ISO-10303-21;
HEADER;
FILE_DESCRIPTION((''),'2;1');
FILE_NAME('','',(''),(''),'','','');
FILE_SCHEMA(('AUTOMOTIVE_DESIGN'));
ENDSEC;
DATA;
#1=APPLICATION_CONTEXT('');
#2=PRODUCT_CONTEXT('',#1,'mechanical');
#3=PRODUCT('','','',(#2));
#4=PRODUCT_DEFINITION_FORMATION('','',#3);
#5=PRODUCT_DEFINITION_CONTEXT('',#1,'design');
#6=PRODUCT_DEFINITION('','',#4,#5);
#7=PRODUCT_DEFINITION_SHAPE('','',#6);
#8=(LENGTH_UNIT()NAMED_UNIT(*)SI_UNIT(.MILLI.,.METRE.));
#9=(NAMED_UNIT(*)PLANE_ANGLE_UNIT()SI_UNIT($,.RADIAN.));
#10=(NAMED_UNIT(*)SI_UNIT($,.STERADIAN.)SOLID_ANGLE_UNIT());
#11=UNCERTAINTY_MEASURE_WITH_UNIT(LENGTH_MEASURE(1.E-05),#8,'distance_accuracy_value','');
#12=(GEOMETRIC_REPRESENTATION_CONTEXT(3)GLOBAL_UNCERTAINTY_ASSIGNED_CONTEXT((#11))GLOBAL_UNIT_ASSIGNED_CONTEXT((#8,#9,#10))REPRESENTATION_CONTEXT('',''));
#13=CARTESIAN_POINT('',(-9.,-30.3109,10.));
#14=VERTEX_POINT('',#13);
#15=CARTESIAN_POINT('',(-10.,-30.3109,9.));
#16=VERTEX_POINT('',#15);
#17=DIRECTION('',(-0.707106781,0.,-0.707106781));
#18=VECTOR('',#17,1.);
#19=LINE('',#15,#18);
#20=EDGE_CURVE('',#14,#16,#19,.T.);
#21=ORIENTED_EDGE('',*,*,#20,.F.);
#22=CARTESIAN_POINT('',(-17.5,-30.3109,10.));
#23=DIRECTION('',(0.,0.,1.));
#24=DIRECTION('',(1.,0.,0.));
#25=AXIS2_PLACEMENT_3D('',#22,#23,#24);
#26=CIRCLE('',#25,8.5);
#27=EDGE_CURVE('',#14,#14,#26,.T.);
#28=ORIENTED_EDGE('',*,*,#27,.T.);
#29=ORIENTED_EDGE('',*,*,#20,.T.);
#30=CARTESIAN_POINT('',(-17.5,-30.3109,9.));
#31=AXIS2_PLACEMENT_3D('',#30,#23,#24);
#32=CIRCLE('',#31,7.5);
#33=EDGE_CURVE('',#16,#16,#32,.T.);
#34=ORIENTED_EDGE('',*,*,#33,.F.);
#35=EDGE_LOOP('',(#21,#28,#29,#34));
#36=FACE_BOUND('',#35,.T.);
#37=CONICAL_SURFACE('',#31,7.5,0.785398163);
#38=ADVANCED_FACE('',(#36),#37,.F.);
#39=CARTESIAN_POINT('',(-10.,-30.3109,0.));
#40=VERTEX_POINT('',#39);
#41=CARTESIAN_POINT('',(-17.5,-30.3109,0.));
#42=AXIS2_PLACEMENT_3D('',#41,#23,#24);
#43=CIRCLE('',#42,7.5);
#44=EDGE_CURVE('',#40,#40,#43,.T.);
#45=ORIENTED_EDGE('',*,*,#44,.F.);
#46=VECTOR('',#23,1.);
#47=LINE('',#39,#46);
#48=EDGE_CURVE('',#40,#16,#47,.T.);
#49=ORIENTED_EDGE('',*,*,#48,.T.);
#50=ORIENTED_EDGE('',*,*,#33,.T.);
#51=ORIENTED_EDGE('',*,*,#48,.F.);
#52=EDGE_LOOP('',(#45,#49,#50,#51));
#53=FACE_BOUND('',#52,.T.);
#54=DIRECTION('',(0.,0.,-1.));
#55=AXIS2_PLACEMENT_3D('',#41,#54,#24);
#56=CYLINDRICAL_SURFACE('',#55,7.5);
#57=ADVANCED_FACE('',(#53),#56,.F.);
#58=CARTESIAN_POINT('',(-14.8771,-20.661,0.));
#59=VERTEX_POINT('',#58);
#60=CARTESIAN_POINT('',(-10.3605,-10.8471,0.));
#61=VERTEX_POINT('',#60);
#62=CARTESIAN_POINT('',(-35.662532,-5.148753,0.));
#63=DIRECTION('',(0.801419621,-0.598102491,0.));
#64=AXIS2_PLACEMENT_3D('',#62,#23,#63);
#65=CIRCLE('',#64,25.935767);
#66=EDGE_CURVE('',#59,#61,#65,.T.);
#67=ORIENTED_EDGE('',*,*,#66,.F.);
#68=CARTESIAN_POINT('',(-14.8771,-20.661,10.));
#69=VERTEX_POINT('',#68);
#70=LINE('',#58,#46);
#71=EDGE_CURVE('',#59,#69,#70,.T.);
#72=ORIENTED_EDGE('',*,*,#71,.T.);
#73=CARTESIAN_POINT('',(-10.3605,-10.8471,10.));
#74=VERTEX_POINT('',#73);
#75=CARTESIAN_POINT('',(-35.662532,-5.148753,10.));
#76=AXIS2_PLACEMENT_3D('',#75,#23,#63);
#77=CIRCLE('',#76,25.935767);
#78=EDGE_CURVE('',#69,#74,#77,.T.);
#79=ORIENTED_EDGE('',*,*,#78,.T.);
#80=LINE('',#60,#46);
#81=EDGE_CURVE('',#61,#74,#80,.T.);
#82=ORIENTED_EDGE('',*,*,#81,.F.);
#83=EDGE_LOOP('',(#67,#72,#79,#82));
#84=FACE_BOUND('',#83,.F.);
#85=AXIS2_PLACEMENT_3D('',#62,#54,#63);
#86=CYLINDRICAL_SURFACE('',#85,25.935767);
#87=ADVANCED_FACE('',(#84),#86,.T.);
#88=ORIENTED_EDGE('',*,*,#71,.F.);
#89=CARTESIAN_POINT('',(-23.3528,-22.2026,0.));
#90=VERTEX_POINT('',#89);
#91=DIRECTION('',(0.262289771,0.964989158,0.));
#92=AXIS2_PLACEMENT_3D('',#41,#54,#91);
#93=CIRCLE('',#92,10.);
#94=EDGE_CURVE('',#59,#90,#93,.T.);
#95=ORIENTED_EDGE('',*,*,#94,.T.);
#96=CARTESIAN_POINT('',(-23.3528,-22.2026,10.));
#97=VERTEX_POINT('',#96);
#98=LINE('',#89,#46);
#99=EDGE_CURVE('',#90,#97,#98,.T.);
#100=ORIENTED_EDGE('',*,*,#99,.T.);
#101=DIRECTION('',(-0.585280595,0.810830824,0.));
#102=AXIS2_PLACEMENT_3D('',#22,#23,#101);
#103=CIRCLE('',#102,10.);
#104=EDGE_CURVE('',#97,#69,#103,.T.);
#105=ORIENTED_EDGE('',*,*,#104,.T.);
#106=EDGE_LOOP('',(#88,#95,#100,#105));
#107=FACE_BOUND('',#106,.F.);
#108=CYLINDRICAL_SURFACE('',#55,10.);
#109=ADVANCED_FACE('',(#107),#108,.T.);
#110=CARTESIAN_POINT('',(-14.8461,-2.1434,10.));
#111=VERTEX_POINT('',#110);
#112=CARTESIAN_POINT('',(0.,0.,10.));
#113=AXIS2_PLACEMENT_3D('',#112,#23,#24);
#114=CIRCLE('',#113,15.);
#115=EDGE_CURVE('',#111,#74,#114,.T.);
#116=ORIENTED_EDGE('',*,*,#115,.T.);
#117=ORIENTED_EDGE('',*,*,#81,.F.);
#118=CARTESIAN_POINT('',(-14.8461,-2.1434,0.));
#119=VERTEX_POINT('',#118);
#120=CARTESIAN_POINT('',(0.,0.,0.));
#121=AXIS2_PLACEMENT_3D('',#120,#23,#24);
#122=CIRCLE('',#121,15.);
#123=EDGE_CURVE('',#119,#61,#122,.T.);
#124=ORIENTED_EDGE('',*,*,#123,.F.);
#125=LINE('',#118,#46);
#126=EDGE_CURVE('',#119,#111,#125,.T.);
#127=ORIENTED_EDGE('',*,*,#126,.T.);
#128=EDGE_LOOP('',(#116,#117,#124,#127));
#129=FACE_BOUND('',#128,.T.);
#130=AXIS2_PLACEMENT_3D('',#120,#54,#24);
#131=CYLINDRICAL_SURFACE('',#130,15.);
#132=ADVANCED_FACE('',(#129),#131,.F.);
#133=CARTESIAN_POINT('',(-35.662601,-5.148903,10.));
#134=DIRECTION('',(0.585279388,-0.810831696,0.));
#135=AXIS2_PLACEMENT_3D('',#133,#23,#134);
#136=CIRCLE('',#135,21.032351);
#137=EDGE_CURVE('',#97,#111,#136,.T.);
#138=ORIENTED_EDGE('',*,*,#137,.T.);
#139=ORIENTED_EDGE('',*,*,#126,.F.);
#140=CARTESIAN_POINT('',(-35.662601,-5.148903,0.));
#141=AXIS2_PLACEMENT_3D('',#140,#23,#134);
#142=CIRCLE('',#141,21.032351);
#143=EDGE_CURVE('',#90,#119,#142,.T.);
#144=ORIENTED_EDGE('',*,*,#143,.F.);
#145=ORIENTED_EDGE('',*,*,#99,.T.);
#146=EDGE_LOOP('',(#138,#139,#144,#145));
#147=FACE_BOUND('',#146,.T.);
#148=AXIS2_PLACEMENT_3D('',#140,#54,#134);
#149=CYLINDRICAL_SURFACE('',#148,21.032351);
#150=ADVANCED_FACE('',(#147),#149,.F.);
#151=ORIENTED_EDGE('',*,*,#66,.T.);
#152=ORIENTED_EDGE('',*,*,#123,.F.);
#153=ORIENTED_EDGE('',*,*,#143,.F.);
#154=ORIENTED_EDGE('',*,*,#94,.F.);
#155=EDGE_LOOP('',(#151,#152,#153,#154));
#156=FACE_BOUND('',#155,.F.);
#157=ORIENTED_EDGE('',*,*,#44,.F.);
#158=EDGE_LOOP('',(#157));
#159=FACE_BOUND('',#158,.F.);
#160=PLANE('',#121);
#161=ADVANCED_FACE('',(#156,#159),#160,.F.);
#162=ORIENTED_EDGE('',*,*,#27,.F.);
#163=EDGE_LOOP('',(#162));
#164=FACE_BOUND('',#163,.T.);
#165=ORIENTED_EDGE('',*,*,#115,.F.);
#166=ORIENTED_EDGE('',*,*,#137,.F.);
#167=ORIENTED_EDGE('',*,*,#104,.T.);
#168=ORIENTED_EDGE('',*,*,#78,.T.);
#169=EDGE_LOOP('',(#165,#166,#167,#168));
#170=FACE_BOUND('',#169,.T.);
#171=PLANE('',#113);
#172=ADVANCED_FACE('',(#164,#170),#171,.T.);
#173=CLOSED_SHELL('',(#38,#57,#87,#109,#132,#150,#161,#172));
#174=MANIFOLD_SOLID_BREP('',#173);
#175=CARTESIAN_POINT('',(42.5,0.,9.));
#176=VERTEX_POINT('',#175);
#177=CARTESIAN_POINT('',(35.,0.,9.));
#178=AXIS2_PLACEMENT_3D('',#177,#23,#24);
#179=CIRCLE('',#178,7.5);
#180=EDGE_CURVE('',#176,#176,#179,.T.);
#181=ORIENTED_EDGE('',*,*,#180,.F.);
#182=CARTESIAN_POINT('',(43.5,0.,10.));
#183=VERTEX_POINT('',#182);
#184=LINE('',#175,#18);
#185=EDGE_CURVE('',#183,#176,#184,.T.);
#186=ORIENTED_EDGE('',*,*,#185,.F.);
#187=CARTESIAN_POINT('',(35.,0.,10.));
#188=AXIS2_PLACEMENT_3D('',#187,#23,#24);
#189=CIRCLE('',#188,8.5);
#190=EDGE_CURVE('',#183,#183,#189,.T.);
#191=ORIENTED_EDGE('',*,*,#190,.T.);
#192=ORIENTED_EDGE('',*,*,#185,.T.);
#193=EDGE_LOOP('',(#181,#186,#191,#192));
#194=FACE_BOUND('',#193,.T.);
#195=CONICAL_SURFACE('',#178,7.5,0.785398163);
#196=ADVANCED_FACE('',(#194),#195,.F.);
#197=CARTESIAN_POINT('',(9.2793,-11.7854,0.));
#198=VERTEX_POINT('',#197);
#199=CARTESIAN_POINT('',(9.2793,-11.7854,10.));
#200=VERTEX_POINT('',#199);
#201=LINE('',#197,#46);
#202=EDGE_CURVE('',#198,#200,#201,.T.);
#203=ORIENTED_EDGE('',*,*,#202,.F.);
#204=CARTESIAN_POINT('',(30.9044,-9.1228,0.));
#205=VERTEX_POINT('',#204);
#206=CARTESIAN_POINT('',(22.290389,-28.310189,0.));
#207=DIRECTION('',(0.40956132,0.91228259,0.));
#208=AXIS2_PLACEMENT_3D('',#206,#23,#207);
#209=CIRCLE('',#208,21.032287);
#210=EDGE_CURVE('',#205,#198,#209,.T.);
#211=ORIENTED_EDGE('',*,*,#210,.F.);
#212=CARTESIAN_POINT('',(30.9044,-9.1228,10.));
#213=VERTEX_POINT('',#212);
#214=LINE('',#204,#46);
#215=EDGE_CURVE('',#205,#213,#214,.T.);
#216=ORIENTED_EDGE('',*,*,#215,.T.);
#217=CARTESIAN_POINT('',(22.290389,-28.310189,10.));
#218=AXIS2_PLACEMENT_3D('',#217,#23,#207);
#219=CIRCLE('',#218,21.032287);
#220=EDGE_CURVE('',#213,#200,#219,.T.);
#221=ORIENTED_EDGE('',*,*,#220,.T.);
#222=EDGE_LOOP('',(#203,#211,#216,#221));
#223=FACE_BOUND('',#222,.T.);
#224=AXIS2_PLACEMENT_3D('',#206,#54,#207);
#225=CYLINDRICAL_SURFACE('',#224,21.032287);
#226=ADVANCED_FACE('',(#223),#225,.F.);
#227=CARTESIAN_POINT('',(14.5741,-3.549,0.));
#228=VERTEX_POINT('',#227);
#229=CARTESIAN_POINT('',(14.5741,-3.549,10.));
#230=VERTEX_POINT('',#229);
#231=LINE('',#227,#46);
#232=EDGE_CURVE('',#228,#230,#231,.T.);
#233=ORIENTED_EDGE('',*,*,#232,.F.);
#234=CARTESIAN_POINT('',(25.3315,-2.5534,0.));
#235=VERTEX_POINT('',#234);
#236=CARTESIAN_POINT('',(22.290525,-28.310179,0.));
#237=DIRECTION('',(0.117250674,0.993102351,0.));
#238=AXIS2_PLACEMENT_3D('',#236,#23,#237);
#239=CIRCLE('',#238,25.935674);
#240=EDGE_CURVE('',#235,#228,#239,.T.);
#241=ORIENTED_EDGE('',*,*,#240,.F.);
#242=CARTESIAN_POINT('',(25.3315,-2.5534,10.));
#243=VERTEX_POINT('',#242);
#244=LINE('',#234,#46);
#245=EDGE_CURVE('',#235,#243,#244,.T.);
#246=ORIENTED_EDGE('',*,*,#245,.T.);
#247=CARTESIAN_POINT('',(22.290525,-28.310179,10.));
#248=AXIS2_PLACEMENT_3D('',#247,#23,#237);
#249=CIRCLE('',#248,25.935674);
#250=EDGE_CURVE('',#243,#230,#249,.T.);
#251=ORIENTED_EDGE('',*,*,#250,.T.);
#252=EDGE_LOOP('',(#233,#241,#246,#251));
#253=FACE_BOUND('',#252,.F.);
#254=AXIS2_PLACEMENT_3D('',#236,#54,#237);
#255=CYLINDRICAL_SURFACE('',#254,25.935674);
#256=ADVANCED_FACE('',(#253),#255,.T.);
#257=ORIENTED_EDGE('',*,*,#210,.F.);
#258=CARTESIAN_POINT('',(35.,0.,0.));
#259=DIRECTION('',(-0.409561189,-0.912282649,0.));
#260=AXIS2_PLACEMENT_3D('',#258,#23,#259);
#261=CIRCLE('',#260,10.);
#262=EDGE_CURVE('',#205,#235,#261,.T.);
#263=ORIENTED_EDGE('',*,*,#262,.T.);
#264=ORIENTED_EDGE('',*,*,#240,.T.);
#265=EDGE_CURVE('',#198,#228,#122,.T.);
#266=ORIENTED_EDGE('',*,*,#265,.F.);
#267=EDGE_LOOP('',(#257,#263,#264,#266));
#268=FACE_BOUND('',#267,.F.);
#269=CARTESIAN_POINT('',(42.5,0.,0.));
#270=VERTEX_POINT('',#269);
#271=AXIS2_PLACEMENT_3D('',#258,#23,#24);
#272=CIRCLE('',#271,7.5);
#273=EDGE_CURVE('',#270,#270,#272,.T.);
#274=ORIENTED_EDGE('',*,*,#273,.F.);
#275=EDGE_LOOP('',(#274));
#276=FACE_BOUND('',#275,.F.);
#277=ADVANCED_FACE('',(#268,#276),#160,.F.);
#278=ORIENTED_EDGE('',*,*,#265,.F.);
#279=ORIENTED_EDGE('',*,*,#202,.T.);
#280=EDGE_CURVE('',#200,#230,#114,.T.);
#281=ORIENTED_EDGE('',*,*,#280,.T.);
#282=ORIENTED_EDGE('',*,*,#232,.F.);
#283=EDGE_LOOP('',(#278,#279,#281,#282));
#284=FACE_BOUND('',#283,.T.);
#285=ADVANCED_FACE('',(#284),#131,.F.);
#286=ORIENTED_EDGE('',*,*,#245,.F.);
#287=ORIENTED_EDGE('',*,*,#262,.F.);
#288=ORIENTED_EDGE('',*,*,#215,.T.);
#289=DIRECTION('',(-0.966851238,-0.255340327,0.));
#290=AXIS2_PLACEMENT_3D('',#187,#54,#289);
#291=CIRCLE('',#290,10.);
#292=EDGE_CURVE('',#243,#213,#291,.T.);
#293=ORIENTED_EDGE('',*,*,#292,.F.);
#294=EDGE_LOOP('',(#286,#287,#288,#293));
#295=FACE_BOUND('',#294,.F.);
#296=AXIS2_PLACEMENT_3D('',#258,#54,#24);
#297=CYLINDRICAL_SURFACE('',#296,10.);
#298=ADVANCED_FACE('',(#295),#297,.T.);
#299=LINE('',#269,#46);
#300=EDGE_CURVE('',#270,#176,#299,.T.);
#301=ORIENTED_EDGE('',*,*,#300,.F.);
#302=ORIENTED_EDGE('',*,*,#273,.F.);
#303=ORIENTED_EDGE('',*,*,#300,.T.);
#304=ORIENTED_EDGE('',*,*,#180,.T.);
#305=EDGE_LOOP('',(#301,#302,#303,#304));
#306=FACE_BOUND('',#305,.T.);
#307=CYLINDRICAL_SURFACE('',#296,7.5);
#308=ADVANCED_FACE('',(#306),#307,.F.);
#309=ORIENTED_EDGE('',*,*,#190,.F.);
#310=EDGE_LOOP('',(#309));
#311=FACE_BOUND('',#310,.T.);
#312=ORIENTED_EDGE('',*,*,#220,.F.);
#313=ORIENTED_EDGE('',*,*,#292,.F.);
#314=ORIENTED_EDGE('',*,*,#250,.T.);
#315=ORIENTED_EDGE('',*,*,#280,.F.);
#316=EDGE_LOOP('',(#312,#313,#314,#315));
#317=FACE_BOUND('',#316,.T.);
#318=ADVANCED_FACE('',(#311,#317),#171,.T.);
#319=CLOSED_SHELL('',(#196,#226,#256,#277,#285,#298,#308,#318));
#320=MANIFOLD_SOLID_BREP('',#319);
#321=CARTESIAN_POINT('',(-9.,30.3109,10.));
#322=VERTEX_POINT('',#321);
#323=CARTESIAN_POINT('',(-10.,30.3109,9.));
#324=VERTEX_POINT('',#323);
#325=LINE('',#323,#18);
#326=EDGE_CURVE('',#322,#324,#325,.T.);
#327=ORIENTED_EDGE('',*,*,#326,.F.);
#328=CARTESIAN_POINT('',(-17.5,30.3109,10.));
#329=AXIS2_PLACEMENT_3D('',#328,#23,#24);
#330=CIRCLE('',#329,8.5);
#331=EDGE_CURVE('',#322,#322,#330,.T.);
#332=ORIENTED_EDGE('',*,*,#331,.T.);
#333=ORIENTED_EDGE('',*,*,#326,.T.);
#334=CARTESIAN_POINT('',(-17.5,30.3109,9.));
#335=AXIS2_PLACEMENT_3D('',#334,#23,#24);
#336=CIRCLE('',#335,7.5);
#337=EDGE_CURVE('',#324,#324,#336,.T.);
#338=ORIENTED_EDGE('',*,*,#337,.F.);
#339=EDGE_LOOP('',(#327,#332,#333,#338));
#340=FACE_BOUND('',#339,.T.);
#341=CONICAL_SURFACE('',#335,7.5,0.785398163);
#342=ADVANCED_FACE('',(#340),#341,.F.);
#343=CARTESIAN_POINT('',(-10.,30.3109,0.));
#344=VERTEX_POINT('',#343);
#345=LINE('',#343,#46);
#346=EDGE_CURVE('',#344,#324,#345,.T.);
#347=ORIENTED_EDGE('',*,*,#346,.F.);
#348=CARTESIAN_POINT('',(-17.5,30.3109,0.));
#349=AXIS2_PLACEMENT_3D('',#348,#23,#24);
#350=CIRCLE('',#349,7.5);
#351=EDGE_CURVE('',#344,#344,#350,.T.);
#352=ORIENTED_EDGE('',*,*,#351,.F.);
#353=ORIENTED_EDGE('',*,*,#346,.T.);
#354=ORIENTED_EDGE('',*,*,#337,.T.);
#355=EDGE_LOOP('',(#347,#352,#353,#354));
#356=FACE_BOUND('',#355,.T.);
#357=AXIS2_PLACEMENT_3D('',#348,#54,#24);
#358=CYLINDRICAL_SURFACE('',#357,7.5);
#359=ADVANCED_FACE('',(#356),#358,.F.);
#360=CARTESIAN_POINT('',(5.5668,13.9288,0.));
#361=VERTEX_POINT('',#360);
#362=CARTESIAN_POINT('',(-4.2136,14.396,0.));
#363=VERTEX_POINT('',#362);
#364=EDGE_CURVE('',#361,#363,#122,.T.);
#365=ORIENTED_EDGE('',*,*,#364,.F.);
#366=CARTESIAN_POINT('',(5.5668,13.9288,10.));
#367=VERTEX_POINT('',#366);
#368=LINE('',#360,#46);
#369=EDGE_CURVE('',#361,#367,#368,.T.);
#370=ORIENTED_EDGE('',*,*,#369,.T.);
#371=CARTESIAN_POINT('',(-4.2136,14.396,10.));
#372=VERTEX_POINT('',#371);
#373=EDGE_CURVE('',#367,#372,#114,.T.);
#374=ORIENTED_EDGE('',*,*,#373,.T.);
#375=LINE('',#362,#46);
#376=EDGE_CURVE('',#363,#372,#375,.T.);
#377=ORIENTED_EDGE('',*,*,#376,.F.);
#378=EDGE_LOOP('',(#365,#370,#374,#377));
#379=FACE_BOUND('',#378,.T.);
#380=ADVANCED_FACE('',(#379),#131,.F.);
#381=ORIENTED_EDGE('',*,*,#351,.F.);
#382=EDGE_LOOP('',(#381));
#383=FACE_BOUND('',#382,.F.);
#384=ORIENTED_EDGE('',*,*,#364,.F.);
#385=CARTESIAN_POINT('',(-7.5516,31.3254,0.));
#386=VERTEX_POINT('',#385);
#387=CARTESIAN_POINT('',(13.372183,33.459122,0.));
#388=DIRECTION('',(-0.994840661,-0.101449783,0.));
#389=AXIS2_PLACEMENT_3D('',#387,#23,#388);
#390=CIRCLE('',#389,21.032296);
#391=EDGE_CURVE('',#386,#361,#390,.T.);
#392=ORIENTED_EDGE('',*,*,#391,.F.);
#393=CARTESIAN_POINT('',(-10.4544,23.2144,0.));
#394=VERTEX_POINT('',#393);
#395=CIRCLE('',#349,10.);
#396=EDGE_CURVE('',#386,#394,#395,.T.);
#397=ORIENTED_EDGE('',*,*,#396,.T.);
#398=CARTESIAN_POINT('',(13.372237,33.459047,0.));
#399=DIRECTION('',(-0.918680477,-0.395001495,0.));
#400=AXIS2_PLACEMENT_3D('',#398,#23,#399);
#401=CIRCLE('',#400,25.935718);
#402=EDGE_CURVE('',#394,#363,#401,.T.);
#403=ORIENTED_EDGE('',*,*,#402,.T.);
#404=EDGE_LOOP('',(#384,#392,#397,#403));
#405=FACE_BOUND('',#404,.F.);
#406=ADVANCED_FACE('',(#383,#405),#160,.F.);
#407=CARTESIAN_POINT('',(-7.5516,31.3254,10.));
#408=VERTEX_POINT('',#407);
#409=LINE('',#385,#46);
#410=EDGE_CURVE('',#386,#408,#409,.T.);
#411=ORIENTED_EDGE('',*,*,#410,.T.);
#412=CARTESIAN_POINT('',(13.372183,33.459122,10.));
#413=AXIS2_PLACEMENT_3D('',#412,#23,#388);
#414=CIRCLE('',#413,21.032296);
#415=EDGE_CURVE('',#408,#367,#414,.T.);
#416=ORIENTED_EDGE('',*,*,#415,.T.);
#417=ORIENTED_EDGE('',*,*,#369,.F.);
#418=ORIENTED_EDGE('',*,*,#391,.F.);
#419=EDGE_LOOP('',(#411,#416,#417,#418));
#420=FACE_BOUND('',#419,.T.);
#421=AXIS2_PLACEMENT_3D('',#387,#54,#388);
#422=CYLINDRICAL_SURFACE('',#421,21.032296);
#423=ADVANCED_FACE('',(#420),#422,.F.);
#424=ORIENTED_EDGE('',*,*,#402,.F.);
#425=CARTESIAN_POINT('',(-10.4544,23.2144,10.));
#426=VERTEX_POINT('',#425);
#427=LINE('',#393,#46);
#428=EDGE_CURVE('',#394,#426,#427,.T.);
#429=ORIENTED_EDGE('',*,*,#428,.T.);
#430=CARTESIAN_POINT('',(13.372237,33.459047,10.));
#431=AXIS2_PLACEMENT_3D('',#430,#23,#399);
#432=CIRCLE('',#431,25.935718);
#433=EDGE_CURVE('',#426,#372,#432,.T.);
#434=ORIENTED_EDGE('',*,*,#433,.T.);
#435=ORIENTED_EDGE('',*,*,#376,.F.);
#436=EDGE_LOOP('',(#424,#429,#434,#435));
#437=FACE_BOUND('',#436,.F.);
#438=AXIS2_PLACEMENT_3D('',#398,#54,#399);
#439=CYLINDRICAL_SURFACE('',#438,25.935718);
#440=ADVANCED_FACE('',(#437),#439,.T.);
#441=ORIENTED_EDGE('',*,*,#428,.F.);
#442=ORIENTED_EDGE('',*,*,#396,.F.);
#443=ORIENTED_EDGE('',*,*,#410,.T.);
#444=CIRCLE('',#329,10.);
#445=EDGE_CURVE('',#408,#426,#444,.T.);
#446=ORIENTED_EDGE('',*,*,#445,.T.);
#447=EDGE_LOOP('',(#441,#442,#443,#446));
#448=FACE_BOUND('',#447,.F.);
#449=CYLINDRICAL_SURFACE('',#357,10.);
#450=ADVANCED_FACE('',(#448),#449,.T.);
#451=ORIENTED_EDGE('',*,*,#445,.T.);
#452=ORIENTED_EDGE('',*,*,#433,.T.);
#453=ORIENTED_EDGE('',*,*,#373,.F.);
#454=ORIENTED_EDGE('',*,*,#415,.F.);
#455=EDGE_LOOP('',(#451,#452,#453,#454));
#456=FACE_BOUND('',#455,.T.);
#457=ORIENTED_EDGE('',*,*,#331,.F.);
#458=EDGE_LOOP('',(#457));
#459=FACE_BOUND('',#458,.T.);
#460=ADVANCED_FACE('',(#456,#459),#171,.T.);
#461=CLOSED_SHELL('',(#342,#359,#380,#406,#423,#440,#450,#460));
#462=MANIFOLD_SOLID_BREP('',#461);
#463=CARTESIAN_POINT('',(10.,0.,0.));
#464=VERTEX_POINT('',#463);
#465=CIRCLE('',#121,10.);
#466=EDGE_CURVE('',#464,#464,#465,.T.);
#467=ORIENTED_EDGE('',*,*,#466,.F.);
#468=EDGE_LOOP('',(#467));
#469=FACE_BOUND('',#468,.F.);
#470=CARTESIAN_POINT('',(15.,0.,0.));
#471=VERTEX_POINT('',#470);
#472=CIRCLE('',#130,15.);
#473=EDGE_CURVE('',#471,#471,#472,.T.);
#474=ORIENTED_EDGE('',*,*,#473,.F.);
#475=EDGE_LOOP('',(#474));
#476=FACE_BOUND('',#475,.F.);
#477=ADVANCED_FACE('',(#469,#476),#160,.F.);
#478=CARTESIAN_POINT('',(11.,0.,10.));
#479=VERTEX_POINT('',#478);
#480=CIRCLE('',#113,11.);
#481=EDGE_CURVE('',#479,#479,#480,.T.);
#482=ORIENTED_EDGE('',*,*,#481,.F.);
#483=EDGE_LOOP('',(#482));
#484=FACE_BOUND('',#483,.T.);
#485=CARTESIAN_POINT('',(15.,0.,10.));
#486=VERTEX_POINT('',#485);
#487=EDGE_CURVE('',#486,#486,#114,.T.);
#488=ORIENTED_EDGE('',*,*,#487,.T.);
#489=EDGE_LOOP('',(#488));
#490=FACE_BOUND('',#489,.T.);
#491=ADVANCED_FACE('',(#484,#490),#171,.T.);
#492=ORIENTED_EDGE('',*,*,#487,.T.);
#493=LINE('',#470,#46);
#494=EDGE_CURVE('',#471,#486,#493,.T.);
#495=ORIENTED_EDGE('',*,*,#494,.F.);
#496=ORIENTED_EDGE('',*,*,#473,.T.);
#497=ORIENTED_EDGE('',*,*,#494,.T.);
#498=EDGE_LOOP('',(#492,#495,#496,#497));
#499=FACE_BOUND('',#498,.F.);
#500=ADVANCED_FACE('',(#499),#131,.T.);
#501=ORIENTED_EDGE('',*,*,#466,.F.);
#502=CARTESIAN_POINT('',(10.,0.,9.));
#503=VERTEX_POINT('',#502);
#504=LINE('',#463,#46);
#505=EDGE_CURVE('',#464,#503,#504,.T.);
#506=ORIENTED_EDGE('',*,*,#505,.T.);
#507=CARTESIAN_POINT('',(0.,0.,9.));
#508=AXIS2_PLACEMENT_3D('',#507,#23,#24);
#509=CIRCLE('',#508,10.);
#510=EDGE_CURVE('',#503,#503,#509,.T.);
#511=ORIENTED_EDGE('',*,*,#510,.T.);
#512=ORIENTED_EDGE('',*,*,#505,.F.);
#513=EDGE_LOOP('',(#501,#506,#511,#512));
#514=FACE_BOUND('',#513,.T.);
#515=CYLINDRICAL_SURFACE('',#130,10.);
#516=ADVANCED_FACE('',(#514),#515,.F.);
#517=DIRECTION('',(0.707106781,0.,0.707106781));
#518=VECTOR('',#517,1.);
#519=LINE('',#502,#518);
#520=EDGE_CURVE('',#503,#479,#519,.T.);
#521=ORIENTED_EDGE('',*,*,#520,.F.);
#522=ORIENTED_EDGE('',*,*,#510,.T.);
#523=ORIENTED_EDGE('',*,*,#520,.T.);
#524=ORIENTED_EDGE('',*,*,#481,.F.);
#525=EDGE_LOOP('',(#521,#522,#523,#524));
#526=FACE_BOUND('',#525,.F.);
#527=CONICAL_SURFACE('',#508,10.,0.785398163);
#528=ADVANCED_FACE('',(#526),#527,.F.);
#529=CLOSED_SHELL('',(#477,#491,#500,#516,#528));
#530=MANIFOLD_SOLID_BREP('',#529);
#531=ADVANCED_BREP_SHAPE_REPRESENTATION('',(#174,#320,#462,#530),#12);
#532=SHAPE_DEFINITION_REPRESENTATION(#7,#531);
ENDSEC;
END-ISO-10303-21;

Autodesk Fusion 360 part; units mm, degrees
sketch "Sketch3" plane through (0, 0, 0) normal (0, 0, 1) x (1, 0, 0)
  circle A0 centre (0, 0) radius 15
  circle A1 centre (35, 0) radius 10
  arc A2 (30.9044, -9.1228) -> (9.2793, -11.7854) centre (22.2903, -28.3102) ccw
  circle A3 centre (0, 0) radius 10
  line L0 (1.75, 0) -> (22.5, 0) construction
  circle A4 centre (35, 0) radius 7.5
  arc A5 (25.3315, -2.5534) -> (14.5741, -3.549) centre (22.2903, -28.3102) ccw
  arc A6 (-10.4544, 23.2144) -> (-4.2136, 14.396) centre (13.3722, 33.4591) ccw
  arc A7 (-7.5516, 31.3254) -> (5.5668, 13.9288) centre (13.3722, 33.4591) ccw
  circle A8 centre (-17.5, 30.3109) radius 10
  circle A9 centre (-17.5, 30.3109) radius 7.5
  arc A10 (-14.8771, -20.661) -> (-10.3605, -10.8471) centre (-35.6626, -5.1489) ccw
  arc A11 (-23.3528, -22.2026) -> (-14.8461, -2.1434) centre (-35.6626, -5.1489) ccw
  circle A12 centre (-17.5, -30.3109) radius 10
  circle A13 centre (-17.5, -30.3109) radius 7.5
  dimension "d22" = 30
  dimension "d25" = 20
  dimension "d34" = 20
  dimension "d36" = 15
  dimension "d40" = 360
  dimension "d49" = 35
extrude "Extrude5" add sketch "Sketch3" along normal blind 10 contours A0 makes body 1
extrude "Extrude6" add sketch "Sketch3" along normal blind 10 separate body contours A0 A6 A7 A8 | A0 A1 A2 A5 | A8 | A1 | A0 A10 A11 A12 | A12 makes body 2 at (25.1251, -1.5768, 3.3333) makes body 3 at (-23.68, 22.4491, 6.6667) makes body 4 at (-24.132, -22.8265, 3.3333)
chamfer "Chamfer1" distance 1 angle 45 4 edges at (28.0075, 2.7121, 10) (-9.3233, 3.6162, 10) (-24.4925, 33.023, 10) (-24.4925, -27.5988, 10) on bodies 1 2 3 4
